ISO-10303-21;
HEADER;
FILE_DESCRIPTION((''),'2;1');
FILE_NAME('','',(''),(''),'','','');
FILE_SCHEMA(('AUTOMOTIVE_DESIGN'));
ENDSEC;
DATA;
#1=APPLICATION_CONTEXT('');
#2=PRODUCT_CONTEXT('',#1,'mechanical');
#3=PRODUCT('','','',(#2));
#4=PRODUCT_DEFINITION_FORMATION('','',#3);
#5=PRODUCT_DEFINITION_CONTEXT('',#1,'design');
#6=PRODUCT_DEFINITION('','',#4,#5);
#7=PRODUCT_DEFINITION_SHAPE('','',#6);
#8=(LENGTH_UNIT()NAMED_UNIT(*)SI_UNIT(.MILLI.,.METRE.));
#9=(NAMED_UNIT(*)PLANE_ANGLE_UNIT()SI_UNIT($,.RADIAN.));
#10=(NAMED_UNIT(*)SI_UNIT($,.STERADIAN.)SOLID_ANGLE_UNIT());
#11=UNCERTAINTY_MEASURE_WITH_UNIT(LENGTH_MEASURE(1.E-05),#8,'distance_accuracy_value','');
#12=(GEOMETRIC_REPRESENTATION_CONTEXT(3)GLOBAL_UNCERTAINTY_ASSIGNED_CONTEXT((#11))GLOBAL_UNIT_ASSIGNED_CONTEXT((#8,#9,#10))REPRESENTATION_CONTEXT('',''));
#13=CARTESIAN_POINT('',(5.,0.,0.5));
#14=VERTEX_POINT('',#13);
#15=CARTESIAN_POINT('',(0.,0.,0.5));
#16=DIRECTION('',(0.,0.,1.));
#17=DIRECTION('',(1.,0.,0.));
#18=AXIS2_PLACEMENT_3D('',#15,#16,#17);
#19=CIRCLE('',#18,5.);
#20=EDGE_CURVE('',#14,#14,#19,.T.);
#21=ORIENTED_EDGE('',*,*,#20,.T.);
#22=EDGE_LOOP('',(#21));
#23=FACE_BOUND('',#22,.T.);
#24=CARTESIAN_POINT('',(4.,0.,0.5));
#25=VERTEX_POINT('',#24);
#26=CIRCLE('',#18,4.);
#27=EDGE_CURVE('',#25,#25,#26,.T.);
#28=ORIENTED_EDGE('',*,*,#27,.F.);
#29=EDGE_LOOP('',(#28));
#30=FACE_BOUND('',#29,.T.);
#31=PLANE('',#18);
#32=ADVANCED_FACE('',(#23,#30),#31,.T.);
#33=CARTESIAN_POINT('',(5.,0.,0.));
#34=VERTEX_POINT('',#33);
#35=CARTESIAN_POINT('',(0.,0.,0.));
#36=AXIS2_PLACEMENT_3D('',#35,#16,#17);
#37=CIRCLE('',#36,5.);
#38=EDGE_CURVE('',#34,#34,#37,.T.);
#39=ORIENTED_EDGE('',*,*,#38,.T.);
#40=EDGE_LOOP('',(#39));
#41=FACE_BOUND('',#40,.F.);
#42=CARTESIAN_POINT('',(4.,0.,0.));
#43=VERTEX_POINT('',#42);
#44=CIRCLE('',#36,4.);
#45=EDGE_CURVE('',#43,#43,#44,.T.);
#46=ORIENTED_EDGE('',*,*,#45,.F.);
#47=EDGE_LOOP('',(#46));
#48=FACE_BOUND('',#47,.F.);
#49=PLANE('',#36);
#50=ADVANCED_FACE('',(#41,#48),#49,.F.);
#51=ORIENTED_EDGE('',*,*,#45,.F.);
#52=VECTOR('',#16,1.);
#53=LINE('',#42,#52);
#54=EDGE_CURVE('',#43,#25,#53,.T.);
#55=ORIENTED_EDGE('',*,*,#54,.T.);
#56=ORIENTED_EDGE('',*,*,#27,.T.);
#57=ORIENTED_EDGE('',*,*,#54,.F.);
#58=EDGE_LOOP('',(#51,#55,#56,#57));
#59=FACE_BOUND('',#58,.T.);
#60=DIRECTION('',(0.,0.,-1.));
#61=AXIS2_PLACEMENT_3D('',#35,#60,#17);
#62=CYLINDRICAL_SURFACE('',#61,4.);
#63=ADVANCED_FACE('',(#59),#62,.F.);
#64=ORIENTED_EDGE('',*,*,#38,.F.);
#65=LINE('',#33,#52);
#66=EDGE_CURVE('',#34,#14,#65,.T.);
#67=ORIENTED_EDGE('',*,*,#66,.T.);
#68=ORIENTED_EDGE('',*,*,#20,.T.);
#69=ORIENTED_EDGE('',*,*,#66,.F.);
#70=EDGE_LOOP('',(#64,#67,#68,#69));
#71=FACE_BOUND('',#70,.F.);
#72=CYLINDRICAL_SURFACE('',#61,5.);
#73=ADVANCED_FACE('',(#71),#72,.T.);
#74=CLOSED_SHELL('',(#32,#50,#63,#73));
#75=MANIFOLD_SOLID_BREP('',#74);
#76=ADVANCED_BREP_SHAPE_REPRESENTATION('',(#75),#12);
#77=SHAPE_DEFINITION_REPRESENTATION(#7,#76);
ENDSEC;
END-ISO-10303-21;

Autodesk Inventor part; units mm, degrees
ref_plane "YZ Plane" through (0, 0, 0) normal (1, 0, 0) x (0, 1, 0)
ref_plane "XZ Plane" through (0, 0, 0) normal (0, 1, 0) x (-1, 0, 0)
ref_plane "XY Plane" through (0, 0, 0) normal (0, 0, 1) x (1, 0, 0)
sketch "スケッチ1" plane through (0, 0, 0) normal (0, 0, 1) x (1, 0, 0)
  circle A0 centre (0, 0) radius 4
  circle A1 centre (0, 0) radius 5
  dimension "d0" = 8
  dimension "d1" = 10
extrude "押し出し1" add sketch "スケッチ1" along normal blind 0.5
properties part number "シムリング　8-10　t0.5" material "ステンレス鋼 AISI 304"
